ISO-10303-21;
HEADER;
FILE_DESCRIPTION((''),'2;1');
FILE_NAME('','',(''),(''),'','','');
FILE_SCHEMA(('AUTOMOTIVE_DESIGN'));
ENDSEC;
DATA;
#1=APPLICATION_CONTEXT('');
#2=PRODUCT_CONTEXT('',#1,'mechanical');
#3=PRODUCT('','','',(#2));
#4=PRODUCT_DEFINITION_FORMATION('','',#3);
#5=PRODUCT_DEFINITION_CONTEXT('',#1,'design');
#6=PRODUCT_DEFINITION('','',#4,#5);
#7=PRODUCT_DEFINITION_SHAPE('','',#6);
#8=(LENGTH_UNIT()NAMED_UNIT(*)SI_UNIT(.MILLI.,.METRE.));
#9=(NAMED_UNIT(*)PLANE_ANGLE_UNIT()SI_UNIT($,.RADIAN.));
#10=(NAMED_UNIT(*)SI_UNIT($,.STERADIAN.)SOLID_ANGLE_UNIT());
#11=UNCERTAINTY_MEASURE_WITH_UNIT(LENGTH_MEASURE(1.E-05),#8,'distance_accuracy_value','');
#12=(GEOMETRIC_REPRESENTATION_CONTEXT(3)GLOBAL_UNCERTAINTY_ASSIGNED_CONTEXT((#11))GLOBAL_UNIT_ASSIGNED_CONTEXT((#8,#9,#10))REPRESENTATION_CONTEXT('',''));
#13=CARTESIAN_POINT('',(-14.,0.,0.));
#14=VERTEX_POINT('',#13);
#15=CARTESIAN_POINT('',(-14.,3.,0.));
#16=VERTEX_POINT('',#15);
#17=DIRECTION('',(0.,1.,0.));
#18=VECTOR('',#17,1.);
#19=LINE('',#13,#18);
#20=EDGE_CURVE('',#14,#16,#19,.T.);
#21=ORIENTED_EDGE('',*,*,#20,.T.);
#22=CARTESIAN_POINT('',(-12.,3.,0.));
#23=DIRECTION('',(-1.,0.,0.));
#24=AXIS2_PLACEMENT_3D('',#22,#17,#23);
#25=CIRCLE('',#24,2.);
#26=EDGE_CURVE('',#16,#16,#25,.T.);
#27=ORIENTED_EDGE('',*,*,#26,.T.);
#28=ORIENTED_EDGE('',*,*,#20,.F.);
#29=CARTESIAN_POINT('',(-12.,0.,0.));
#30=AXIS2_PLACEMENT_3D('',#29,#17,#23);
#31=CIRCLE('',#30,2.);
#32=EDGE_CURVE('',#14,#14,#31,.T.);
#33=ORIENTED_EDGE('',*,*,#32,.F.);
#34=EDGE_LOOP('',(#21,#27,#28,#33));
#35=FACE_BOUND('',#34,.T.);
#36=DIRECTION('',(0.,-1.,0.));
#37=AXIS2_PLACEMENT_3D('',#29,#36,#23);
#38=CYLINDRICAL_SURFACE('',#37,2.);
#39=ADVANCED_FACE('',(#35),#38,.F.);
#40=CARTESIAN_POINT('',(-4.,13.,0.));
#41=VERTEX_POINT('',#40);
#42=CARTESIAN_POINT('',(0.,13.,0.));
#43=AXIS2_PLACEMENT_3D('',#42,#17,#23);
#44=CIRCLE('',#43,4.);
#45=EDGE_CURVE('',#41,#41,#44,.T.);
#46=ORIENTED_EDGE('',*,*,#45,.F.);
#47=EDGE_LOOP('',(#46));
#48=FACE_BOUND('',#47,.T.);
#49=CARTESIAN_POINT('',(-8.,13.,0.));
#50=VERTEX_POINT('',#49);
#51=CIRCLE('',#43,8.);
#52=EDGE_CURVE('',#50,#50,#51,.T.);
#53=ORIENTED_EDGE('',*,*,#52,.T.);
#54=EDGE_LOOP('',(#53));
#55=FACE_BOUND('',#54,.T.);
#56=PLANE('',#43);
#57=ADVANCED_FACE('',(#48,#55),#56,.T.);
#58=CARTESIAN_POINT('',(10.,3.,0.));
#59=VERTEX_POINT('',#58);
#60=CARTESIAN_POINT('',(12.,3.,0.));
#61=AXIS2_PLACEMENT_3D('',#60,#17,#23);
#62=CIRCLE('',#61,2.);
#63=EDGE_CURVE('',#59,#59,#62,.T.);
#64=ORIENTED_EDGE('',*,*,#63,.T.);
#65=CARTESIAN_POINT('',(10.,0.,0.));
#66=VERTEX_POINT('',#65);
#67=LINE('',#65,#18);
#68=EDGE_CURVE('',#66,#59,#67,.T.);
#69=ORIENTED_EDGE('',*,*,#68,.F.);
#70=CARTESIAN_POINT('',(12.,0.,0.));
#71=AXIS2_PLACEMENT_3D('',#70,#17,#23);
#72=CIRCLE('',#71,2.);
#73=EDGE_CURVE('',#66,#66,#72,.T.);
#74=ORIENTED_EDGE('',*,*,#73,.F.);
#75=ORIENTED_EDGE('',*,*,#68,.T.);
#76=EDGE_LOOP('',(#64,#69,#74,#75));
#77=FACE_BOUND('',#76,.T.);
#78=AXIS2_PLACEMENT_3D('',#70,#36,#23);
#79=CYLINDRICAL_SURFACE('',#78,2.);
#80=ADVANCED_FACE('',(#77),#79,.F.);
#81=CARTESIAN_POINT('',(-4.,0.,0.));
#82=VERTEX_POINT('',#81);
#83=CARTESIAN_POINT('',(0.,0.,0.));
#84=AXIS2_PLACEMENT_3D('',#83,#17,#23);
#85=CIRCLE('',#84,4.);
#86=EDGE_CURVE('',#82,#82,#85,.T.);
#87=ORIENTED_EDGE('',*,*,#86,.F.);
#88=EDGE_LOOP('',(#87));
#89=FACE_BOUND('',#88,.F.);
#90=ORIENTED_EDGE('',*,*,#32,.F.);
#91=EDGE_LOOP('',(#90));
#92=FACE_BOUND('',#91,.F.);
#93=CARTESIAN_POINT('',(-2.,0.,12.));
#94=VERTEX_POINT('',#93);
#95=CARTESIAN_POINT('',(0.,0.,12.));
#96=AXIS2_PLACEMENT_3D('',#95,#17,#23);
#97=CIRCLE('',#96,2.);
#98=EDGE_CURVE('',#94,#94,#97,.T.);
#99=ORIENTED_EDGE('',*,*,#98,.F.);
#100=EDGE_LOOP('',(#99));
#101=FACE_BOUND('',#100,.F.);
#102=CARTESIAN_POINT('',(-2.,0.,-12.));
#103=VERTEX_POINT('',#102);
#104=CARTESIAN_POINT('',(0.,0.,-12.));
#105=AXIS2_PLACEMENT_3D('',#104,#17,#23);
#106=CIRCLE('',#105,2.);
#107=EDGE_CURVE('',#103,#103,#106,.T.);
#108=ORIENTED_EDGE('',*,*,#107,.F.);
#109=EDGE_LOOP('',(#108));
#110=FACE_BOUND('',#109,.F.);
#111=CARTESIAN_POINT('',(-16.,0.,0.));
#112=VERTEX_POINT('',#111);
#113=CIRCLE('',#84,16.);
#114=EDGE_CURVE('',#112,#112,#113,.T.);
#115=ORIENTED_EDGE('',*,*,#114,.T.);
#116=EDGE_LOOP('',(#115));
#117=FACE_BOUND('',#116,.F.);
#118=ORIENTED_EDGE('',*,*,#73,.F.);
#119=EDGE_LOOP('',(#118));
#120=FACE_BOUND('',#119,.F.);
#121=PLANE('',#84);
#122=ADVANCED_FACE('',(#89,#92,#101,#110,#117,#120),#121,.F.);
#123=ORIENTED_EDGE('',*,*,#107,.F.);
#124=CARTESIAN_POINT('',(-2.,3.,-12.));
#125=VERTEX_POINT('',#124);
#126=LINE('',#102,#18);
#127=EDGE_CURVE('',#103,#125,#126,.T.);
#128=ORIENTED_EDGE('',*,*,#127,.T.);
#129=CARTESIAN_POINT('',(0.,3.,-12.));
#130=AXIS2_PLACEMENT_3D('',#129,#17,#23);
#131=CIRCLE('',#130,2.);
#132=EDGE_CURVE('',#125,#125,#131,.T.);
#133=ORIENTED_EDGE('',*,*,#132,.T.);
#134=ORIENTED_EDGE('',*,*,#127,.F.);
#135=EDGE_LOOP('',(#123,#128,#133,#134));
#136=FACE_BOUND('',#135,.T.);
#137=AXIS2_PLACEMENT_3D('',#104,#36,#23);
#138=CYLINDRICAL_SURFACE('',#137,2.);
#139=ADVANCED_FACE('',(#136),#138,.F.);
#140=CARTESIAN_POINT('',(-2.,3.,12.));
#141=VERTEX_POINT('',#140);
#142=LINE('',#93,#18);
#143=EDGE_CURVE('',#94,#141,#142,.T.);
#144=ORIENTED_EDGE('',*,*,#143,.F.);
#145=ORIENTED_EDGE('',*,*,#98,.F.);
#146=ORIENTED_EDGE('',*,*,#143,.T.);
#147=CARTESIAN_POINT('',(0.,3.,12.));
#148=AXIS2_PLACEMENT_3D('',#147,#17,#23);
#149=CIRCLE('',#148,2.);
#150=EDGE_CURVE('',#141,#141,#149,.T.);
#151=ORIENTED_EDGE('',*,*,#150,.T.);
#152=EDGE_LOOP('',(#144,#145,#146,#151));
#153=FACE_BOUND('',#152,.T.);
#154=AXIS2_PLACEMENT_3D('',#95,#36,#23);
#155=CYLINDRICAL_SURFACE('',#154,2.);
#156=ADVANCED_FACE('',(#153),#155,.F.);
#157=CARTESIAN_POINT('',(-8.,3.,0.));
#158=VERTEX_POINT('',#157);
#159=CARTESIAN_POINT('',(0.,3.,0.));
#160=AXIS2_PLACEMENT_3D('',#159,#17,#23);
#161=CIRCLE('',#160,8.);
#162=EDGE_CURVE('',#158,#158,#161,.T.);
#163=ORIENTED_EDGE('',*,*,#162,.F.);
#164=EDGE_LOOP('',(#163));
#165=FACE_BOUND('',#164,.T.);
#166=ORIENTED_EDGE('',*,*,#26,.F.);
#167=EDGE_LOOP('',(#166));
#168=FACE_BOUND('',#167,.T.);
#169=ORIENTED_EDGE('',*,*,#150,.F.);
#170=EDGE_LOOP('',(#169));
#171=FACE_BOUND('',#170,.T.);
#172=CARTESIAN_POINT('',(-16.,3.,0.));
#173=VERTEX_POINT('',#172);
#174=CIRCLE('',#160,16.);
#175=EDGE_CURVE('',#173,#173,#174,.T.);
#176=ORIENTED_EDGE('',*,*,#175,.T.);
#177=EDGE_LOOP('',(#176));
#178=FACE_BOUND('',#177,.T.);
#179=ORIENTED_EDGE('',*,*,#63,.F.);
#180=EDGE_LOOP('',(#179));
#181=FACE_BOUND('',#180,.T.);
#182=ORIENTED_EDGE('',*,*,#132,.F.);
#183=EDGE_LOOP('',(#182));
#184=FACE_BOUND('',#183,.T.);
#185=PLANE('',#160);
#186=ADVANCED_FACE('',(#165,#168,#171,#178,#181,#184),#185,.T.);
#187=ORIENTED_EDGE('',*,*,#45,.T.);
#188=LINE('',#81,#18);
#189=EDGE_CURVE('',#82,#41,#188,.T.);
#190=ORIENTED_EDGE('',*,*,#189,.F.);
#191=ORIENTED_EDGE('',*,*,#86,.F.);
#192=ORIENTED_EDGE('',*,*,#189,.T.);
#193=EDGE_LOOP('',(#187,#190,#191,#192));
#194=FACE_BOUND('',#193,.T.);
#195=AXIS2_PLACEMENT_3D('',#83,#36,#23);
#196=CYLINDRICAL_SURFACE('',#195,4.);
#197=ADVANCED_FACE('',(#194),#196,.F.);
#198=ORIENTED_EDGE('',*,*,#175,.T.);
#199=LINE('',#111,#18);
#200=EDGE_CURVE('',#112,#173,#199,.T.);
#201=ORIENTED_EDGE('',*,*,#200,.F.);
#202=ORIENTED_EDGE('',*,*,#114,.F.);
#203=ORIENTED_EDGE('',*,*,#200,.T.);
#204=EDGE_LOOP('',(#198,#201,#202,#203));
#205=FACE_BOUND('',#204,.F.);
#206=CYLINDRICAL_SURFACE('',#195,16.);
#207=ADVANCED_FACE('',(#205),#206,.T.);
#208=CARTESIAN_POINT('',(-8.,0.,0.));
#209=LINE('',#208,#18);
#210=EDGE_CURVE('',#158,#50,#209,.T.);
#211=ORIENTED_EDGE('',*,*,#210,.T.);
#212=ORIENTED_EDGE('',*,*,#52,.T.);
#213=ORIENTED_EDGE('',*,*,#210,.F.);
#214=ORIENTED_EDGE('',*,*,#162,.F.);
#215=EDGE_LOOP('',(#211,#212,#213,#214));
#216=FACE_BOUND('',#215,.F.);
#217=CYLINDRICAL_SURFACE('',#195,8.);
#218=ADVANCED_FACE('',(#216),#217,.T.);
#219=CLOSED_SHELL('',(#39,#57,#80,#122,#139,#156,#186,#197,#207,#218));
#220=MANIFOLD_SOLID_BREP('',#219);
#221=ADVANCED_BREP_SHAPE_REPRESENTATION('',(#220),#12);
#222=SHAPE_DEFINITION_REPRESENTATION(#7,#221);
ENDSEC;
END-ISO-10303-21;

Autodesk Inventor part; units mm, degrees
ref_plane "YZ Plane" through (0, 0, 0) normal (1, 0, 0) x (0, 1, 0)
ref_plane "XZ Plane" through (0, 0, 0) normal (0, 1, 0) x (-1, 0, 0)
ref_plane "XY Plane" through (0, 0, 0) normal (0, 0, 1) x (1, 0, 0)
sketch "Sketch1" plane through (0, 0, 0) normal (0, 1, 0) x (-1, 0, 0)
  circle A0 centre (0, 0) radius 16
  circle A1 centre (0, 0) radius 4
  circle A2 centre (0, 0) radius 8
  circle A3 centre (12, 0) radius 2
  circle A4 centre (0, 12) radius 2
  circle A5 centre (-12, 0) radius 2
  circle A6 centre (0, -12) radius 2
  dimension "d0" = 32
  dimension "d1" = 8
  dimension "d4" = 4
  dimension "d7" = 360
  dimension "d9" = 24
  dimension "d10" = 16
extrude "Extrusion1" add sketch "Sketch1" along normal blind 3 contours A0
extrude "Extrusion2" add sketch "Sketch1" along normal blind 13 contours A2
properties part number "flange_8mm" material "Aluminum"
